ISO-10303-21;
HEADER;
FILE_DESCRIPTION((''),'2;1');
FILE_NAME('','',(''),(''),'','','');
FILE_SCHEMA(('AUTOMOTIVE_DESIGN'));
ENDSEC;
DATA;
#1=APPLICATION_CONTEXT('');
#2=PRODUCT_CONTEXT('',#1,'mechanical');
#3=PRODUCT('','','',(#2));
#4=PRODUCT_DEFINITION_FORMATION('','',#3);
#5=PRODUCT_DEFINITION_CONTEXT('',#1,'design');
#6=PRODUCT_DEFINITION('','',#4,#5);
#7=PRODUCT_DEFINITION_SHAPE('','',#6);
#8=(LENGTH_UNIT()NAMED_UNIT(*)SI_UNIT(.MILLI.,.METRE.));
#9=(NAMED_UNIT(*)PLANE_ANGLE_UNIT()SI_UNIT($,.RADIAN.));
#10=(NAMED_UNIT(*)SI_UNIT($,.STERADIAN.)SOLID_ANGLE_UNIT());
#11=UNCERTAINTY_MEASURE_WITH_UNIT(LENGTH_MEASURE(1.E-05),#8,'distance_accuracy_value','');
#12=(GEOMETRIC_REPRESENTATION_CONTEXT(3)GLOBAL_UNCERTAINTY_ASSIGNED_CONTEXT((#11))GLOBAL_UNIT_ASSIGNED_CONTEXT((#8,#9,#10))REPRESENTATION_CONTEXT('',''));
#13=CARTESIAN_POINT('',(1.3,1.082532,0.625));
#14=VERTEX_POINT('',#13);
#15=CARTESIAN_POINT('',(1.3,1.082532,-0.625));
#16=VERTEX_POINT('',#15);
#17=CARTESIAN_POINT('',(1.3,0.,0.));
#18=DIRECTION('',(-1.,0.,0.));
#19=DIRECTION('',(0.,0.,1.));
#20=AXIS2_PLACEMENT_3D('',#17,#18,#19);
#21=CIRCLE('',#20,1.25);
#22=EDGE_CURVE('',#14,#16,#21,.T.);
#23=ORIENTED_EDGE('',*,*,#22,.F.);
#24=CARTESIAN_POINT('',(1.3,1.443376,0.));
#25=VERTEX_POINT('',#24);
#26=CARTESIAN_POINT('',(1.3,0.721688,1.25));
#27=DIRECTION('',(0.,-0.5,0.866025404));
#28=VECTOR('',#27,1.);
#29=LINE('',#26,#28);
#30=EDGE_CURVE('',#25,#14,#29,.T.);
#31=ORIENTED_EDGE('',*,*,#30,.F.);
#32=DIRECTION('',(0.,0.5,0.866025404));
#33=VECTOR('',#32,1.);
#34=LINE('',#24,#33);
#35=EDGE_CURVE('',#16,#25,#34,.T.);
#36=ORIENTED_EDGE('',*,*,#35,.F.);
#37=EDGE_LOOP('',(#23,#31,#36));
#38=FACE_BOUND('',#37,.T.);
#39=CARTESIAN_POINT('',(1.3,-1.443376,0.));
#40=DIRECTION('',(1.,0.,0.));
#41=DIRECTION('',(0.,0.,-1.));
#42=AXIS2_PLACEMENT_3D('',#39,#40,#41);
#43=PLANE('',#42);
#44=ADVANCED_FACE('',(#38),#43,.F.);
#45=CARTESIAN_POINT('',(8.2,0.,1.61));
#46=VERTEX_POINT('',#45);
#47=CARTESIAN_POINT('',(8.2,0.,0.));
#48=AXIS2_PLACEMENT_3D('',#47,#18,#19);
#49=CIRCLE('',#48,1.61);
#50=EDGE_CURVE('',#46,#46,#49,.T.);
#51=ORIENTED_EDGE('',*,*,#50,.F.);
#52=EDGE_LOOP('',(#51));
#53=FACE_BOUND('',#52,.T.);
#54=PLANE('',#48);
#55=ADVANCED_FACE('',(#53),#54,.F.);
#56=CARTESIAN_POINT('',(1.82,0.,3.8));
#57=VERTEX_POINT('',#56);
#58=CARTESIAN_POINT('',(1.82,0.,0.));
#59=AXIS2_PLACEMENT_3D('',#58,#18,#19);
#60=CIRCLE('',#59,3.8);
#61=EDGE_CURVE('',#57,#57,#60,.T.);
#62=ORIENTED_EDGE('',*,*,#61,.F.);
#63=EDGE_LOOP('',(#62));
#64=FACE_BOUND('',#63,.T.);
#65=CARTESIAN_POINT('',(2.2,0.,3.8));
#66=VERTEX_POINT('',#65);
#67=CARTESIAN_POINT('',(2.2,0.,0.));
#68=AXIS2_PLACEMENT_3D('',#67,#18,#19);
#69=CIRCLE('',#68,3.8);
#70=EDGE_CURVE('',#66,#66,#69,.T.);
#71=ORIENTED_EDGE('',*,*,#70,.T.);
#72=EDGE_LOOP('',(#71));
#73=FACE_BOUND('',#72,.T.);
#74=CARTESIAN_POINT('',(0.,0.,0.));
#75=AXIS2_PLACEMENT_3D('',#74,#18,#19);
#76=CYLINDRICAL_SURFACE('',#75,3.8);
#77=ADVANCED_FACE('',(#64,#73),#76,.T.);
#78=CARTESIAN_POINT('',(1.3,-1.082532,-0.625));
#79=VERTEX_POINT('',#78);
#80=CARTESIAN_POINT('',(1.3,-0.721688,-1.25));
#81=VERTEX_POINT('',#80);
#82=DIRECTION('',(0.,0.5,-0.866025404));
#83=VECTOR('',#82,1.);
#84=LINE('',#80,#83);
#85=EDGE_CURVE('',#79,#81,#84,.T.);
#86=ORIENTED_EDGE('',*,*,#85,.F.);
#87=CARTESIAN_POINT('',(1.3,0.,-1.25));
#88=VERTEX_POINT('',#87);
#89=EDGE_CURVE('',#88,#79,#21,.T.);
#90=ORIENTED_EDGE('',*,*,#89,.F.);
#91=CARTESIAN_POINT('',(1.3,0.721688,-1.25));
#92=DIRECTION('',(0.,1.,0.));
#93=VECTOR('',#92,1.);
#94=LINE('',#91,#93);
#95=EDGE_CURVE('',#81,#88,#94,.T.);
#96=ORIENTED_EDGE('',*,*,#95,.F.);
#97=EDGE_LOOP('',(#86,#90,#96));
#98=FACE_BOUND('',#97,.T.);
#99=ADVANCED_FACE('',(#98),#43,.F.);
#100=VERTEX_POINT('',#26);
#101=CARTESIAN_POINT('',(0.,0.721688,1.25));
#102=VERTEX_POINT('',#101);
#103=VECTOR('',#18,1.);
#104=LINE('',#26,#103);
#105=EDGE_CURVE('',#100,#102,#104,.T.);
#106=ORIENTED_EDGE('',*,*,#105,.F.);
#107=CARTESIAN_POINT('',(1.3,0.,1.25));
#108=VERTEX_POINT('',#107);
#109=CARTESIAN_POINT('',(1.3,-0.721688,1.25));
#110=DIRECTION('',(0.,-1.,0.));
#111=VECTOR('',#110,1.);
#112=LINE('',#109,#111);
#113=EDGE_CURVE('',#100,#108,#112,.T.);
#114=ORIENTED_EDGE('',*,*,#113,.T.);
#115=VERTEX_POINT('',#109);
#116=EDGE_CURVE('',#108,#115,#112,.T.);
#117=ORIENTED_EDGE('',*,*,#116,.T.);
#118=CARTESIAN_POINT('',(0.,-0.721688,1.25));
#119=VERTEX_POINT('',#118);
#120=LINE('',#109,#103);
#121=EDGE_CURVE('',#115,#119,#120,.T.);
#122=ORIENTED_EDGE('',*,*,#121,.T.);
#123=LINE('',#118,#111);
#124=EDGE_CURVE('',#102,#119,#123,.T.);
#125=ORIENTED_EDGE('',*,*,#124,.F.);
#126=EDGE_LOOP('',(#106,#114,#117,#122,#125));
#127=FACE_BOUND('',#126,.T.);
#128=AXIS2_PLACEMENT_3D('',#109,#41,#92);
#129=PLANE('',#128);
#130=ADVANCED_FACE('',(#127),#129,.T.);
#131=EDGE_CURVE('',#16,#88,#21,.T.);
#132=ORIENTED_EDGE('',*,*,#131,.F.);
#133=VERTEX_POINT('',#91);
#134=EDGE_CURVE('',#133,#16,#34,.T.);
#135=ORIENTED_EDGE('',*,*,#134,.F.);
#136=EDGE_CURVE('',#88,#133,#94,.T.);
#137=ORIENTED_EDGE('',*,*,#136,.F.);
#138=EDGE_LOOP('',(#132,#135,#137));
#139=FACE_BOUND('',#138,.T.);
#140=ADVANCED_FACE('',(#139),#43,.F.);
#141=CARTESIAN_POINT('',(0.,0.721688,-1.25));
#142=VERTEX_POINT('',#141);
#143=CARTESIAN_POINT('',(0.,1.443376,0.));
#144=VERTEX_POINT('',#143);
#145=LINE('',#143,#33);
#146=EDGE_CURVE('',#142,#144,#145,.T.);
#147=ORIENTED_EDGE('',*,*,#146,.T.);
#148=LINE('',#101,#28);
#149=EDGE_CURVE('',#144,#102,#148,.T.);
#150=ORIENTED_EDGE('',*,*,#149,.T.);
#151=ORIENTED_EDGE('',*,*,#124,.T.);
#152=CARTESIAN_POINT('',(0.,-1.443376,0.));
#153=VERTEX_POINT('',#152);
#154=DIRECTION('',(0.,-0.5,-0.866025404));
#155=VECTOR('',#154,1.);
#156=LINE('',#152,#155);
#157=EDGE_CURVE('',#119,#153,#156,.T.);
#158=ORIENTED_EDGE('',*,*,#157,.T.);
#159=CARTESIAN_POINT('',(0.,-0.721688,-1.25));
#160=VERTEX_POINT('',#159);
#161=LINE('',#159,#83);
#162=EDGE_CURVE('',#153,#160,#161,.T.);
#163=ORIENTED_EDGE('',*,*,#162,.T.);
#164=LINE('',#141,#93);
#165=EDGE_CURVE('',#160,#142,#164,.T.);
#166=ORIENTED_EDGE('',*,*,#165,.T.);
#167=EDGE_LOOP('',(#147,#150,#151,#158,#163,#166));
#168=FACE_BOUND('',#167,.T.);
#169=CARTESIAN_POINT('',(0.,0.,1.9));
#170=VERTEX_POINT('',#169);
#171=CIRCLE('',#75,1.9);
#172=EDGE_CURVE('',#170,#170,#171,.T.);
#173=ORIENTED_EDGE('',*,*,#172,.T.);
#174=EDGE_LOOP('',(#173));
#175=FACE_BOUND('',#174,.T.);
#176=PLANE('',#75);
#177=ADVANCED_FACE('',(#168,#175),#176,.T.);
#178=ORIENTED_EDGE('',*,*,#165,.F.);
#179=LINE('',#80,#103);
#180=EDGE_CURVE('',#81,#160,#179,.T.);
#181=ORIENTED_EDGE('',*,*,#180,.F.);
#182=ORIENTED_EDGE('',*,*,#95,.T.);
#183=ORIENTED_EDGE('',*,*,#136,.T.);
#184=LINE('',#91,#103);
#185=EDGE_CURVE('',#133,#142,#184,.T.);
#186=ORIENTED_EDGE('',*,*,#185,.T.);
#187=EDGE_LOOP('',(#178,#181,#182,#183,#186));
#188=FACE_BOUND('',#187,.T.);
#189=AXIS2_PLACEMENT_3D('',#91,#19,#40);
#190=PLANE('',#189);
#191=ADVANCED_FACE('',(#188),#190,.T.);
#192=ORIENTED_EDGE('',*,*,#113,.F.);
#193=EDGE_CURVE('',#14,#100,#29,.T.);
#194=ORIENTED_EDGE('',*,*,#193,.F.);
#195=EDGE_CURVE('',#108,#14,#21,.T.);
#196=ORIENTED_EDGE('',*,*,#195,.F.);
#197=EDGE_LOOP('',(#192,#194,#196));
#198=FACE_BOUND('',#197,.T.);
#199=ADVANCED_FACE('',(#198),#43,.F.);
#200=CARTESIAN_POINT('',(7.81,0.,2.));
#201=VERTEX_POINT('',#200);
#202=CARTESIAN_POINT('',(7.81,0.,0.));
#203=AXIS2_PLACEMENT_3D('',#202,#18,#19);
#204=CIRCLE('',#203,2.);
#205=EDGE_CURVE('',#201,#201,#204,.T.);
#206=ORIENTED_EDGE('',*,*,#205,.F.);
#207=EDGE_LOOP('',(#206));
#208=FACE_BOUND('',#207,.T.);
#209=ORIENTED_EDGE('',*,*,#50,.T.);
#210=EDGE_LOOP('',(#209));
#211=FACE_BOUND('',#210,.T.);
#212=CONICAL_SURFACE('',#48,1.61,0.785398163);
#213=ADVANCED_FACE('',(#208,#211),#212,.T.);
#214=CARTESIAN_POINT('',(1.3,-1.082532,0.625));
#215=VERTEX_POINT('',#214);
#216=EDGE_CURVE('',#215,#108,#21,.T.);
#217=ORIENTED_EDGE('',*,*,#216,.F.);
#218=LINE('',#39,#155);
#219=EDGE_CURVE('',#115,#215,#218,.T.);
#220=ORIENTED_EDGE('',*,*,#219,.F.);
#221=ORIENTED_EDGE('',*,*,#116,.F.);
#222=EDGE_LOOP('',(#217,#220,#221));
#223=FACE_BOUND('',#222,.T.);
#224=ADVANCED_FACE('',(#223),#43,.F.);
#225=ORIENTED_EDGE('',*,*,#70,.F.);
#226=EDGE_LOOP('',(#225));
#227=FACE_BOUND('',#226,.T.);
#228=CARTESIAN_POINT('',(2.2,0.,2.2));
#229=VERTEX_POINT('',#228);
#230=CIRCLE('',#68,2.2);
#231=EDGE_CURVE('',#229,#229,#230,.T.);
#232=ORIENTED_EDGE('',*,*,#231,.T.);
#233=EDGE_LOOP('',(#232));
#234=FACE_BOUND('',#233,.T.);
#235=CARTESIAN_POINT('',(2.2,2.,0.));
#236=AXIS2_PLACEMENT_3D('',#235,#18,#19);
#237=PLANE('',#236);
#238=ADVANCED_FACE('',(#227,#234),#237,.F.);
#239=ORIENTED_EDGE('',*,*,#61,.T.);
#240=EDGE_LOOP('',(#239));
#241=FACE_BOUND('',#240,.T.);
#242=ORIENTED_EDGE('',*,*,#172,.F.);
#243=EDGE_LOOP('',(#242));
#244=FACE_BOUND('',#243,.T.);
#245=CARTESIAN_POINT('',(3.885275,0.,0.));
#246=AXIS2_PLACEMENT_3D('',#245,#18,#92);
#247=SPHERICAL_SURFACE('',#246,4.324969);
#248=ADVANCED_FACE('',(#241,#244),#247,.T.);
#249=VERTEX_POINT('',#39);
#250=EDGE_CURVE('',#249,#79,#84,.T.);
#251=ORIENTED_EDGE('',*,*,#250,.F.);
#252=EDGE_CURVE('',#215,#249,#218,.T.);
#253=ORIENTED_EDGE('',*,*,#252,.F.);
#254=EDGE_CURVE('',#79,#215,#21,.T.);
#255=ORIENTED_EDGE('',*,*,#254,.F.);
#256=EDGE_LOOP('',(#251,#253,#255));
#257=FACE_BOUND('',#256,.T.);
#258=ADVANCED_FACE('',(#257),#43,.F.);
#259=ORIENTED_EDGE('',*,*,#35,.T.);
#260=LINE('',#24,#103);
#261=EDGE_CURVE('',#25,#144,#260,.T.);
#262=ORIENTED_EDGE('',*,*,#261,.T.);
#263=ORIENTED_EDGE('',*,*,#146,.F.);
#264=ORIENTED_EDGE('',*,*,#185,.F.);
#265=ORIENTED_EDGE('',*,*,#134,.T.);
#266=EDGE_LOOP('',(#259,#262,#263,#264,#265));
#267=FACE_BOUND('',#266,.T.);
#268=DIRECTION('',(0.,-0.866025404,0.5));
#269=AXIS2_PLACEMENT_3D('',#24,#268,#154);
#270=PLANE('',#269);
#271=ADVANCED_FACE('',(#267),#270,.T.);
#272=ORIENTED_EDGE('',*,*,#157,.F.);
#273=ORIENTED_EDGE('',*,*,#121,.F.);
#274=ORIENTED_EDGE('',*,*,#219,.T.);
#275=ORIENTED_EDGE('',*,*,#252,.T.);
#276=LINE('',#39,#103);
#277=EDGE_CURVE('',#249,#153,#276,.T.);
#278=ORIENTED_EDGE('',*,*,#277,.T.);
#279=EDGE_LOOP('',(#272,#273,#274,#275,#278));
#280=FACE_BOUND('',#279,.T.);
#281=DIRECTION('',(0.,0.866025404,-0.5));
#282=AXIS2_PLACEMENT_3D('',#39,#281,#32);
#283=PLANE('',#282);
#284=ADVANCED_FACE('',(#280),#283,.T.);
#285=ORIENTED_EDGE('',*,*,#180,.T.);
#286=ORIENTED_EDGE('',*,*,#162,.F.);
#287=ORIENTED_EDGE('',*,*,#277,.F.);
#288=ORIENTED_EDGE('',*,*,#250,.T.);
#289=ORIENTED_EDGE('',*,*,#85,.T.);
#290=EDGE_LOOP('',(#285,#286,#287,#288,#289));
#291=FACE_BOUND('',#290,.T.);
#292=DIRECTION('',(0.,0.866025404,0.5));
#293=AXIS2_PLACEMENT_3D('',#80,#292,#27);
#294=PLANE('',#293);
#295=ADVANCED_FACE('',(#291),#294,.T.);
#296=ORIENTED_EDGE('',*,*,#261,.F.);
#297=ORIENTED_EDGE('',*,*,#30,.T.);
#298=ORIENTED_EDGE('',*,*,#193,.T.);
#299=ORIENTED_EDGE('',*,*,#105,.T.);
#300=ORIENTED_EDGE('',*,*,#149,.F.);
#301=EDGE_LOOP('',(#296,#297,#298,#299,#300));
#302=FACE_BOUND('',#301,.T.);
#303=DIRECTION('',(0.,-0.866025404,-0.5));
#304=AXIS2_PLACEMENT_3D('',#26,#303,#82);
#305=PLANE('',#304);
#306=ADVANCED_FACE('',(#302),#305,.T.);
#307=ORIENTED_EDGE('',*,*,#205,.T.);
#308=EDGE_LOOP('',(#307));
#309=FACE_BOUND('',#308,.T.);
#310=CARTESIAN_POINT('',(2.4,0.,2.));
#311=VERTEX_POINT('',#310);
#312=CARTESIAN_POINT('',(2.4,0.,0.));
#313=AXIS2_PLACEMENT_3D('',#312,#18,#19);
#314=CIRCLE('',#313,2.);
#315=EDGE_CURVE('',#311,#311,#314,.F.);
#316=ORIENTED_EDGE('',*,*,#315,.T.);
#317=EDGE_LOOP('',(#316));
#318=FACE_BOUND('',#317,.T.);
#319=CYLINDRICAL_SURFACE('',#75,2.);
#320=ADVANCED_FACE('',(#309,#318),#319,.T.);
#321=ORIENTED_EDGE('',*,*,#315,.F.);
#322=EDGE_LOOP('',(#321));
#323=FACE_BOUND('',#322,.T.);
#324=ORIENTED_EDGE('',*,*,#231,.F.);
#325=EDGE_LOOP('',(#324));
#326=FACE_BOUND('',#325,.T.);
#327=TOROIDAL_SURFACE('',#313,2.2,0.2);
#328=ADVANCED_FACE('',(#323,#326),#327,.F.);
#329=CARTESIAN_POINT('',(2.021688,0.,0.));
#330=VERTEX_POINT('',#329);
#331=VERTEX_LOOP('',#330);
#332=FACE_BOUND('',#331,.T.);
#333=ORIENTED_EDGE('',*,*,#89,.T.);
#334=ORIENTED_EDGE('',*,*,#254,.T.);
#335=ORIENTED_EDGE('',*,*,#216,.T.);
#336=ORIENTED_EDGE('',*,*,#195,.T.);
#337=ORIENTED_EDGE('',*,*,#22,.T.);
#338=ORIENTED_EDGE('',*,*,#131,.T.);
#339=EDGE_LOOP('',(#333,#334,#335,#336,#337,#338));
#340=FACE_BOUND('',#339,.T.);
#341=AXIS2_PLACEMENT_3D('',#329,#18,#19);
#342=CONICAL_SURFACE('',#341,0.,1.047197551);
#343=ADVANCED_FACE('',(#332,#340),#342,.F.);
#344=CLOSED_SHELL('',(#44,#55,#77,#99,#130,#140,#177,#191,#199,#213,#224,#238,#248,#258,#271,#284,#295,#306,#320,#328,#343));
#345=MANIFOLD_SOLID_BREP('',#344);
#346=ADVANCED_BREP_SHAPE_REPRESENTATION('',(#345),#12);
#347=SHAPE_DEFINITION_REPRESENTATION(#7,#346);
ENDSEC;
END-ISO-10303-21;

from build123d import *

# Parameters (mm, degrees)
FILLET1_R   = 0.2
HEX_2_DEPTH = 1.3


with BuildPart() as part:
    # BodySke → BaseBody (revolve)
    with BuildSketch(Plane.XY):
        with BuildLine():
            Line((8.2, 0), (8.2, 1.61))
            Line((8.2, 1.61), (7.81, 2))
            Line((7.81, 2), (2.2, 2))
            Line((2.2, 2), (2.2, 3.8))
            Line((2.2, 3.8), (1.82, 3.8))
            ThreePointArc((1.82, 3.8), (0.762013659, 2.991755338), (0, 1.9))
            Line((0, 1.9), (0, 0))
            Line((0, 0), (8.2, 0))
        make_face()
    revolve(axis=Axis((0, 0, 0), (1, 0, 0)))

    # Fillet1
    fillet1_edges = [part.edges().sort_by_distance(p)[0] for p in [
        (2.2, -2, 0),
    ]]
    fillet(fillet1_edges, radius=FILLET1_R)

    # Sketch2 → PreBroach (revolve, cut)
    with BuildSketch(Plane.XY):
        Polygon((0, 1.25), (1.3, 1.25), (2.021687836, 0), (0, 0), align=None)
    revolve(axis=Axis((0, 0, 0), (1, 0, 0)), mode=Mode.SUBTRACT)

    # Sketch3 → Hex 2 (cut)
    with BuildSketch(Plane(origin=(0, 0, 0), x_dir=(0, 0, -1), z_dir=(1, 0, 0))):
        Polygon((-1.25, -0.721687836), (-1.25, 0.721687836), (0, 1.443375673), (1.25, 0.721687836), (1.25, -0.721687836), (0, -1.443375673), align=None)
    extrude(amount=HEX_2_DEPTH, mode=Mode.SUBTRACT)


solid = part.part
